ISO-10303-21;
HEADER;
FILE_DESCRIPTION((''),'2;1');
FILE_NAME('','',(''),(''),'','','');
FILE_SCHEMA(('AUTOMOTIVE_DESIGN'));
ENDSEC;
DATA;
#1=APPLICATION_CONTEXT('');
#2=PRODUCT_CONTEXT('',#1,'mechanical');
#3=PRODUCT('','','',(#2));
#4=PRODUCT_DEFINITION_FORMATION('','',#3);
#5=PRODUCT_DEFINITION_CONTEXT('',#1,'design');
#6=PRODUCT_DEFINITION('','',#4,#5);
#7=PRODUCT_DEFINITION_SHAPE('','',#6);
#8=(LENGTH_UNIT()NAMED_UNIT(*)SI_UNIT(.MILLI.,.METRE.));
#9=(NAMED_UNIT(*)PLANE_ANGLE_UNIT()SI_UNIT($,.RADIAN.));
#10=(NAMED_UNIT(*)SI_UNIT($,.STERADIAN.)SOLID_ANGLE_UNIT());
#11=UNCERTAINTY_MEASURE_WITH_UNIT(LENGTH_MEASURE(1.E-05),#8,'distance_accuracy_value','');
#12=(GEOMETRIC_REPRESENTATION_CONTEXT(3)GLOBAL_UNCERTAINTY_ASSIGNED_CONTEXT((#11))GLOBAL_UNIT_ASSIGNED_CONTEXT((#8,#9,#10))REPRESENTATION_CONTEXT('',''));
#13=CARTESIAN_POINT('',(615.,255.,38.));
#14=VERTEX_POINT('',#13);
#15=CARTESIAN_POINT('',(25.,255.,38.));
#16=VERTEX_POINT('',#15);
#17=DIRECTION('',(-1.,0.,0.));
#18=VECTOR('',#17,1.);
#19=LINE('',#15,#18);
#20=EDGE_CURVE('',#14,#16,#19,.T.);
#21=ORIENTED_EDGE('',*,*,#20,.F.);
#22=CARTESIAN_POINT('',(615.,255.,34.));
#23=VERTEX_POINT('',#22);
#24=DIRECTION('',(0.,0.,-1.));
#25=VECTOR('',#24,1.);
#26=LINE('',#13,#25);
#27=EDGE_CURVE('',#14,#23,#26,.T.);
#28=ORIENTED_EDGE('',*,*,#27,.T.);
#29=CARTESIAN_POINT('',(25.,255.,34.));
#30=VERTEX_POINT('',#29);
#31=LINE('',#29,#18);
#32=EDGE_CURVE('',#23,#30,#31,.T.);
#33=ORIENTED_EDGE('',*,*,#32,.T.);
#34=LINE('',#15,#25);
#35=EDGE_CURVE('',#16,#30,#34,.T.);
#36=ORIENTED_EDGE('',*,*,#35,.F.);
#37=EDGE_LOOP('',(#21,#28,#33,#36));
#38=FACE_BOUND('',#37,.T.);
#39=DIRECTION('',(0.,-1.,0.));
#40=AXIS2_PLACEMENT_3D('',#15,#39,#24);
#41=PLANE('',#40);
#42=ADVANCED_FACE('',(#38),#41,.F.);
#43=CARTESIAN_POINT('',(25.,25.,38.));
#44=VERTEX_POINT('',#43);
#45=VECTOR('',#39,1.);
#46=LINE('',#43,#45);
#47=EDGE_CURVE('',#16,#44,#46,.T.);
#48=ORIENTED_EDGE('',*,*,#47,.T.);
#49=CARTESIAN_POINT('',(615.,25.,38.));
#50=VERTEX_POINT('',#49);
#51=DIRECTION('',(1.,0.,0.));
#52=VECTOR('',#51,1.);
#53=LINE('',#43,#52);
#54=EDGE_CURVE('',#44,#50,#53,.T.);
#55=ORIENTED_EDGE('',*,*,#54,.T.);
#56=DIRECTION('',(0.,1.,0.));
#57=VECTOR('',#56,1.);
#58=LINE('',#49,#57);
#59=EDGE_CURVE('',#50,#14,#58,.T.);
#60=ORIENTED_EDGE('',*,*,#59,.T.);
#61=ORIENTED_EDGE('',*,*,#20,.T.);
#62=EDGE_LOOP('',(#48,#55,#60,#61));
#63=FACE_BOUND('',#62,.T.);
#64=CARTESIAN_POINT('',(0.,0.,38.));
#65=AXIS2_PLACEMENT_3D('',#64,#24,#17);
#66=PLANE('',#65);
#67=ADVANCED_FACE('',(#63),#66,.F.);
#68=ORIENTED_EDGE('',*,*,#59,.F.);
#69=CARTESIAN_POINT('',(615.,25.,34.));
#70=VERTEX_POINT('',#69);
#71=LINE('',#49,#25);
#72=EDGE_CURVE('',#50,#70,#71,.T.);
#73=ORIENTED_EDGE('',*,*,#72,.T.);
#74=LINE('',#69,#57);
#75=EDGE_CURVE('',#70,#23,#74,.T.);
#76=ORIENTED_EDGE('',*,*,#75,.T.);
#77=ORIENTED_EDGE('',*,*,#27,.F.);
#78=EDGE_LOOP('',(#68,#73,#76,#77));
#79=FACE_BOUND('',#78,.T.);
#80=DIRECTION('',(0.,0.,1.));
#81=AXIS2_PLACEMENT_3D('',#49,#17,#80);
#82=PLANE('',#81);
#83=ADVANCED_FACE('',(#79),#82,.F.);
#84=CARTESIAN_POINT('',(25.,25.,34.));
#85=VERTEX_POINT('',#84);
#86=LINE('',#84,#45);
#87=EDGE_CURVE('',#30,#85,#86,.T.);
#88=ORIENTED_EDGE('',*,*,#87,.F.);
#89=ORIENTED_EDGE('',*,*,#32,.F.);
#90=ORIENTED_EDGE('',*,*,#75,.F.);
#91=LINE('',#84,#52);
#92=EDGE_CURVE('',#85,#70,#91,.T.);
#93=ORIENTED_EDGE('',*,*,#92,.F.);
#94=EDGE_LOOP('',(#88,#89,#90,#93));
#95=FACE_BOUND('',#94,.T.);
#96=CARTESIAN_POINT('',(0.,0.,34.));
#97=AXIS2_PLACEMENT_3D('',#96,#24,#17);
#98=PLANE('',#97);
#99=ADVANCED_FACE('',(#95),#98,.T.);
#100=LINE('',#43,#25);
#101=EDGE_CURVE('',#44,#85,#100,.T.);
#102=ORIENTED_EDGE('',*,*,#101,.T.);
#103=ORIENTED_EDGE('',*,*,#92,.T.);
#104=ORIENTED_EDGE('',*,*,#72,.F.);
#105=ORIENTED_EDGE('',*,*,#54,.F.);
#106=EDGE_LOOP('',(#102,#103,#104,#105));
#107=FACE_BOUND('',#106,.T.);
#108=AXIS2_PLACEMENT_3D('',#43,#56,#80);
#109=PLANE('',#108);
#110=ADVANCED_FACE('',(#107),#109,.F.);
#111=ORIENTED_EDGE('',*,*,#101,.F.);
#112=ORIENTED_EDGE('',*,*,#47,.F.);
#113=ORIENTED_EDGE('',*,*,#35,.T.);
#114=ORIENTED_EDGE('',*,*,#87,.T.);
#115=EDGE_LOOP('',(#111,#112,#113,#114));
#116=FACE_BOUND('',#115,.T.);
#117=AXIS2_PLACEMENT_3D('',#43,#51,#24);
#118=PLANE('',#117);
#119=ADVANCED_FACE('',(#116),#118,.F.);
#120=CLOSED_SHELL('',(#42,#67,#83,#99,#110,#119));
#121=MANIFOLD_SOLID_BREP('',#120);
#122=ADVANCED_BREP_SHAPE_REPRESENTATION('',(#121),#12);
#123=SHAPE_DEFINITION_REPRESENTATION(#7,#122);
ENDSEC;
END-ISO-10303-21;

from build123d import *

# Parameters (mm, degrees)
FKAP_CAM_DIS_4MM_1_START = 34
SKETCH1_W                = 590
SKETCH1_H                = 230
FKAP_CAM_DIS_4MM_1_DEPTH = 4


with BuildPart() as part:
    # Sketch1 → FKAP_cam_dis_4mm_1 (new body)
    with BuildSketch(Plane.XY.offset(FKAP_CAM_DIS_4MM_1_START)):
        with Locations((320, 140)):
            Rectangle(SKETCH1_W, SKETCH1_H)
    extrude(amount=FKAP_CAM_DIS_4MM_1_DEPTH)


solid = part.part
